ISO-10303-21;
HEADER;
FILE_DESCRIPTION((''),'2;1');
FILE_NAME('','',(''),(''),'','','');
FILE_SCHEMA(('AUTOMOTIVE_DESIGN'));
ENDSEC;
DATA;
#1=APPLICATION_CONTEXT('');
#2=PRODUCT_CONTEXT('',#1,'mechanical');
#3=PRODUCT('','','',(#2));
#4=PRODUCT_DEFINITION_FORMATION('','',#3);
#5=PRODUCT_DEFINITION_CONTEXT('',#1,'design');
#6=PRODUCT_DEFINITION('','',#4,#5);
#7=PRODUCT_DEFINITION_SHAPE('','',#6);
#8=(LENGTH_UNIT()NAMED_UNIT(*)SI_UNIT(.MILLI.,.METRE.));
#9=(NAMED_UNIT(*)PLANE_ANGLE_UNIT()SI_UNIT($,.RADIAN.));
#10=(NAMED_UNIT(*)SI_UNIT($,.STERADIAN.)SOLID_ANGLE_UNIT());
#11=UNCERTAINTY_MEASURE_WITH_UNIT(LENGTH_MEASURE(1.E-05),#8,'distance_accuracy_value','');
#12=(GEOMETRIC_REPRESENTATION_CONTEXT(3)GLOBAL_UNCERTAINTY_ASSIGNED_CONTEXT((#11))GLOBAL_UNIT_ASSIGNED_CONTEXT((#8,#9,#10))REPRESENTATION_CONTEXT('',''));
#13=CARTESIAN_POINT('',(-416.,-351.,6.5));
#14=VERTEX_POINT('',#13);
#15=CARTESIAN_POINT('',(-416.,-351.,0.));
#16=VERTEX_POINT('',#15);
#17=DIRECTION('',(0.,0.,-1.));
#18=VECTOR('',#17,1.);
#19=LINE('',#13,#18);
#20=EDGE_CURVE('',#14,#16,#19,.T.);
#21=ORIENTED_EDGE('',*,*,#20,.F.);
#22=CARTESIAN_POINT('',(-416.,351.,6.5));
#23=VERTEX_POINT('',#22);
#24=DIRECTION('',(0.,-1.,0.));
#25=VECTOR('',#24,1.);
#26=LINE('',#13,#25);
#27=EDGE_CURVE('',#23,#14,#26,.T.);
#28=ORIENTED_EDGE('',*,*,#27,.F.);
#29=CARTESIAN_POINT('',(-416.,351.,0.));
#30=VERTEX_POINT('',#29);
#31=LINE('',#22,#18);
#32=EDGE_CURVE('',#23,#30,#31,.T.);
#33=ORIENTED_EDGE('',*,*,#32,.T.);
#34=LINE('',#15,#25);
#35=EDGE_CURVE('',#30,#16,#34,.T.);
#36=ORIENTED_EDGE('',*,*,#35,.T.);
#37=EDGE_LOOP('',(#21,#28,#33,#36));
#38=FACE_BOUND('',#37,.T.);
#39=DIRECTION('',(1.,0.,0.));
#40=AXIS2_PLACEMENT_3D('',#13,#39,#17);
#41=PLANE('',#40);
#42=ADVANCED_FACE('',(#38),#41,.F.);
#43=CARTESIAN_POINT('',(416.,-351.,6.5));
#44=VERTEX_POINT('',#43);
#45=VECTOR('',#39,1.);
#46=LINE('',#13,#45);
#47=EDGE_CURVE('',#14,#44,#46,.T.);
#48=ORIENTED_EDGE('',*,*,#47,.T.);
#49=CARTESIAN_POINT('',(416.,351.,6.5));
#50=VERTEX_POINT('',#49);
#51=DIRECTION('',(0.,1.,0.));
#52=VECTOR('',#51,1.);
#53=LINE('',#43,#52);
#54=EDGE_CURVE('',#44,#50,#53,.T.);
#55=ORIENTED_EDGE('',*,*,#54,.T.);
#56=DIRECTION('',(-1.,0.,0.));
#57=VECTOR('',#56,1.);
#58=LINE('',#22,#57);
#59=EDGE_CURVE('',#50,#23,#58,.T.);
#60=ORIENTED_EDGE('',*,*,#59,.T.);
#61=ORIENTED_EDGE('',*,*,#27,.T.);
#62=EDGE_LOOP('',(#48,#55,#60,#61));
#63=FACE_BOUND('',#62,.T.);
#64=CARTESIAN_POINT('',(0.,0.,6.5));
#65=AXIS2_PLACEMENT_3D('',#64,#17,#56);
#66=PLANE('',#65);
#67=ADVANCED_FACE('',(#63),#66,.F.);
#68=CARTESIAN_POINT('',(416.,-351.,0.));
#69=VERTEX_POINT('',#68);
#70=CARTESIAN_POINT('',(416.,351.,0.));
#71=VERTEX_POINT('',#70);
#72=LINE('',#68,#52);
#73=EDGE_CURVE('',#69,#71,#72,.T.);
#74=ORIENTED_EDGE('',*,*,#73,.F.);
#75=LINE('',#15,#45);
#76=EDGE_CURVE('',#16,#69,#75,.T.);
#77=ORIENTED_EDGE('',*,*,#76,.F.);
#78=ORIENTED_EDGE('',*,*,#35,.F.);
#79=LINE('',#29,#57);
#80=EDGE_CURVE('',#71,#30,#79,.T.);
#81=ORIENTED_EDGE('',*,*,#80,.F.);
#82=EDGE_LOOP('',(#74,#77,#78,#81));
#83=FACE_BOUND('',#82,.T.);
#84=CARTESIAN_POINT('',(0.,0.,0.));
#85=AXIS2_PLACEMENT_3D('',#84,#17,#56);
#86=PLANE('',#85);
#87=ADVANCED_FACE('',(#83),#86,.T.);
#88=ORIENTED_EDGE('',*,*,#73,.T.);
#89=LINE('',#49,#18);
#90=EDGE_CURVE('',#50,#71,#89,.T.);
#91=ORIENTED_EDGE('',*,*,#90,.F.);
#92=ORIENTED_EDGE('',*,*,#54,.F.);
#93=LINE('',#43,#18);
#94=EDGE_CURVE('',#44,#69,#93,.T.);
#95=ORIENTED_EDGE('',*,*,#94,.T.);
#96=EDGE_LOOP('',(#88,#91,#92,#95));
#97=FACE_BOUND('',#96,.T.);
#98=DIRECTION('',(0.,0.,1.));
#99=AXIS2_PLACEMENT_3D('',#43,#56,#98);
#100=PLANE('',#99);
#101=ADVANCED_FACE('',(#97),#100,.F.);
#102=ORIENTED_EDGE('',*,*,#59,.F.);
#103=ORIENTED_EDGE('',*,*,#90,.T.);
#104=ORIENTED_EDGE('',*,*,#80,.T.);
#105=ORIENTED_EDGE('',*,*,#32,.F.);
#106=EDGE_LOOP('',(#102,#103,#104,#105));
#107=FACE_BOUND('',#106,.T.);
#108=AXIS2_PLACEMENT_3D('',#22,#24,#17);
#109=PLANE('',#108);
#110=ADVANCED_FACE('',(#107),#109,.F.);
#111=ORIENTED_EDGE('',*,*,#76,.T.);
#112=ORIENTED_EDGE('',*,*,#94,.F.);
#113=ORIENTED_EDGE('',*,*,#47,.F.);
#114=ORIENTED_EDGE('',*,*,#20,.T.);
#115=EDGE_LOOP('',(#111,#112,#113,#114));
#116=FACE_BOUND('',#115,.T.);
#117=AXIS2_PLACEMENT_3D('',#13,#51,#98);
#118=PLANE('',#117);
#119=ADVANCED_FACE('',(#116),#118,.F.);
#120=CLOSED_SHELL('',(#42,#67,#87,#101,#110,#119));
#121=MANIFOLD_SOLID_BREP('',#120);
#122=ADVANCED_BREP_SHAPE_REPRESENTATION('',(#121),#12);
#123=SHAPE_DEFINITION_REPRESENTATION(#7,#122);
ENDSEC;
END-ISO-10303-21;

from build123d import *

# Parameters (mm, degrees)
ESQUISSE1_W        = 832
ESQUISSE1_H        = 702
BOSS_EXTRU_1_DEPTH = 6.5


with BuildPart() as part:
    # Esquisse1 → Boss.-Extru.1 (new body)
    with BuildSketch(Plane.XY):
        Rectangle(ESQUISSE1_W, ESQUISSE1_H)
    extrude(amount=BOSS_EXTRU_1_DEPTH)


solid = part.part
